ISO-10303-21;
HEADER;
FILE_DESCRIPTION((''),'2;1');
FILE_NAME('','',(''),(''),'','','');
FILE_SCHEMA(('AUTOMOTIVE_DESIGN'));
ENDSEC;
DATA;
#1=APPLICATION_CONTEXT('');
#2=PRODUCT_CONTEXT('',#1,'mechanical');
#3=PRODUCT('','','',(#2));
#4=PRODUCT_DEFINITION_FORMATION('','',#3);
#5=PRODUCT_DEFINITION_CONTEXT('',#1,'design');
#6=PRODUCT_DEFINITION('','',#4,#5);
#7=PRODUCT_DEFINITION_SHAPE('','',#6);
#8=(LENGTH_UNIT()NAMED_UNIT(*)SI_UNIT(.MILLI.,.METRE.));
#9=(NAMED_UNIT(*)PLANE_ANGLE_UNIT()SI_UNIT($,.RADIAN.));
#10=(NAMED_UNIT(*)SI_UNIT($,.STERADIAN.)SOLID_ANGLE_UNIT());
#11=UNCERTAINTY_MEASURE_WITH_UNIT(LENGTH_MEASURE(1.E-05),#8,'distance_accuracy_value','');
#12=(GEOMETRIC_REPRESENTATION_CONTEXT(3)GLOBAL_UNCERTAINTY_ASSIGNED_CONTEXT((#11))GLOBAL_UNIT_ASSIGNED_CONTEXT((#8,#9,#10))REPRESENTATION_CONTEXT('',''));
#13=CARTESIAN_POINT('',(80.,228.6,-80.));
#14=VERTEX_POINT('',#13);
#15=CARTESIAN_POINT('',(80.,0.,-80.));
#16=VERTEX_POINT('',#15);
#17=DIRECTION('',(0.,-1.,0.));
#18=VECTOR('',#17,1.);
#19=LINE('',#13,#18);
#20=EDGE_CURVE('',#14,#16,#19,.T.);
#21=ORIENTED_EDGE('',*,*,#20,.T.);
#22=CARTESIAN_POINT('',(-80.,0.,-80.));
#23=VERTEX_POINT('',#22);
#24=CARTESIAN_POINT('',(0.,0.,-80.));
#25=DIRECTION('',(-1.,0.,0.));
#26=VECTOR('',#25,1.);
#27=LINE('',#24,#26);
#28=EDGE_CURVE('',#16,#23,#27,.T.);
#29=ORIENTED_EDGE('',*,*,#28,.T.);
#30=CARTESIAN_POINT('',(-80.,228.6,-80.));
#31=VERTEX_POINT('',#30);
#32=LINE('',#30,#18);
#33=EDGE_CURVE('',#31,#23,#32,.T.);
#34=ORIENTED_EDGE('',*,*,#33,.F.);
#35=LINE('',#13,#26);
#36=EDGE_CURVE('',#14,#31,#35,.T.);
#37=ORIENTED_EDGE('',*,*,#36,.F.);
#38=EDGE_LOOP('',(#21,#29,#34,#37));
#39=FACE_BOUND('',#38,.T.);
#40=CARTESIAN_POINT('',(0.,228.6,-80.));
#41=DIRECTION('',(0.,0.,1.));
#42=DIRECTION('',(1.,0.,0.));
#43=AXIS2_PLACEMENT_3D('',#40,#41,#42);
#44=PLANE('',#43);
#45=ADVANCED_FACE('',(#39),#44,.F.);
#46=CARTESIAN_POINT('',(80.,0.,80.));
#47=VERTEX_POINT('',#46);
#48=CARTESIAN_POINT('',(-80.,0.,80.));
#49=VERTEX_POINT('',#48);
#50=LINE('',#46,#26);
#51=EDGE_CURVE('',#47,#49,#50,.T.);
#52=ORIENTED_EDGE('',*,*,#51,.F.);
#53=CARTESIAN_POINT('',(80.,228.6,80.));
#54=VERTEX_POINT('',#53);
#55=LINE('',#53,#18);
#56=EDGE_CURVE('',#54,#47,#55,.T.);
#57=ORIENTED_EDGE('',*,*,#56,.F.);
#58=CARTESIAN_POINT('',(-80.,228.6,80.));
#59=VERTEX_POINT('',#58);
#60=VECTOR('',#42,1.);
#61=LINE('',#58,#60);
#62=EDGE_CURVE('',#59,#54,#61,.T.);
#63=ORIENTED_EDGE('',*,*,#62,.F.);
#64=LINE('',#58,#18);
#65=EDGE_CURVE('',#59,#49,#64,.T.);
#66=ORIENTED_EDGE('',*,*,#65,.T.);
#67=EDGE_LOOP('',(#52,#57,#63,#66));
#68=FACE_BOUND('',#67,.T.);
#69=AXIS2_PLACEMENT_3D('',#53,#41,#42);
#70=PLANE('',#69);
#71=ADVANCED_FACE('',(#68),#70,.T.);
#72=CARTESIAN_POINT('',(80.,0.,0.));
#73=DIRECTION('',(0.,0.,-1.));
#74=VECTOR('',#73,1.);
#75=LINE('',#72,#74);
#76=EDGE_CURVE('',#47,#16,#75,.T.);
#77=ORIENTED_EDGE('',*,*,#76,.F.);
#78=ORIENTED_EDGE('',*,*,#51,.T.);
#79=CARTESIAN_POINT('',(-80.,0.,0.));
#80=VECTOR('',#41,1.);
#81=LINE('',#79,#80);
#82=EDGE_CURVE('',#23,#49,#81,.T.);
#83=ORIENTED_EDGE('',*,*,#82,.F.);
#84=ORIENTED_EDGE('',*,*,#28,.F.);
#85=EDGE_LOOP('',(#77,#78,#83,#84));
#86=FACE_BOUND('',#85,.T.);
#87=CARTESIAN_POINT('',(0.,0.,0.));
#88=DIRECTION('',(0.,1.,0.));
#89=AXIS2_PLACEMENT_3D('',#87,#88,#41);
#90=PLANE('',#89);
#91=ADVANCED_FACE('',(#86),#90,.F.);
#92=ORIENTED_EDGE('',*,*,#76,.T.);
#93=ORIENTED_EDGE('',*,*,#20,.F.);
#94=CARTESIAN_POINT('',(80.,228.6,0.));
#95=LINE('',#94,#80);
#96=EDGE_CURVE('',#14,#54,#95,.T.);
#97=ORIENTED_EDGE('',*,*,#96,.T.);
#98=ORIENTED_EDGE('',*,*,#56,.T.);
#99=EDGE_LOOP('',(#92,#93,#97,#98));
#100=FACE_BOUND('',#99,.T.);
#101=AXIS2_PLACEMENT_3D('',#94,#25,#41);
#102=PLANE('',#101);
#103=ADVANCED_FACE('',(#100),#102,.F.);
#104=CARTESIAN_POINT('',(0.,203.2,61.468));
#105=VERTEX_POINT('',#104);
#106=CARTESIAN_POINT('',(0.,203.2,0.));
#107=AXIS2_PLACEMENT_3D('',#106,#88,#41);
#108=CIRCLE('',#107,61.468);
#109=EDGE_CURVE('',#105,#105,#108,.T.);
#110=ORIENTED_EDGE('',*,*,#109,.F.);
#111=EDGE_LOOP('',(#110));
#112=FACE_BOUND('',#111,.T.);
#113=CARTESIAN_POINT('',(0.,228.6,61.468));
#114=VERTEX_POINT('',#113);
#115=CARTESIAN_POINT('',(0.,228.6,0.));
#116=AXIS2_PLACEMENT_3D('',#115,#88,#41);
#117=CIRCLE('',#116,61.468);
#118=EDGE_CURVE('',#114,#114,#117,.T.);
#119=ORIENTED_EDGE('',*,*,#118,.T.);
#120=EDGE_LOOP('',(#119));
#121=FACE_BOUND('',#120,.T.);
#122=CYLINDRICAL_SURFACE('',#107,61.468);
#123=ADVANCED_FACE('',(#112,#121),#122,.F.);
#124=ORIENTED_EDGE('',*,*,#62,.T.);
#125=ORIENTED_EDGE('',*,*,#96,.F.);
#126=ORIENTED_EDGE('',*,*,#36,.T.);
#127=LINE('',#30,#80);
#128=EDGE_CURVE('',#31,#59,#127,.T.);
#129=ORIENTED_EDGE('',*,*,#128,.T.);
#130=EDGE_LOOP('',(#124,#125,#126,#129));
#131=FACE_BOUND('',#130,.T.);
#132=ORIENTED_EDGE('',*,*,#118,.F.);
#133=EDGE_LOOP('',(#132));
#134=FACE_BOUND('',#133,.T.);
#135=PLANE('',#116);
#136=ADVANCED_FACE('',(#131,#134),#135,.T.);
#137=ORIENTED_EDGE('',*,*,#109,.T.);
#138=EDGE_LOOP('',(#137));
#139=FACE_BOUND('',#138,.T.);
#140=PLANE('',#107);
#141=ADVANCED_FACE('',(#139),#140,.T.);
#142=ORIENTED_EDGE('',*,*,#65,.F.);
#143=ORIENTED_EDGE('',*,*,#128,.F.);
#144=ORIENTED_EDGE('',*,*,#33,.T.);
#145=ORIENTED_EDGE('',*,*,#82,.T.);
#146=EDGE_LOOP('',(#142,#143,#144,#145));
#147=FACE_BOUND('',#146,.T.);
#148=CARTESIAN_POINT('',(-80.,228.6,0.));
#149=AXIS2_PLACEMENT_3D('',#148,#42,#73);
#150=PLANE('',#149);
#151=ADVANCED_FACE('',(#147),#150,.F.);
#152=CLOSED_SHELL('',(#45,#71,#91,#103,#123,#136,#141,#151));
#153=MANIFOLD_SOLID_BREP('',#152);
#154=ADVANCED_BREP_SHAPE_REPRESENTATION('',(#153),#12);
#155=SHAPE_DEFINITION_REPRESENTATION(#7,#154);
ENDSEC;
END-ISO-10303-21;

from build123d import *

# Parameters (mm, degrees)
BOSS_EXTRUDE1_DEPTH = 228.6
SKETCH3_R           = 61.468
CUT_EXTRUDE1_DEPTH  = 25.4


with BuildPart() as part:
    # Sketch1 → Boss-Extrude1 (new body)
    with BuildSketch(Plane(origin=(0, 0, 0), x_dir=(1, 0, 0), z_dir=(0, 1, 0))):
        Polygon((0, 80), (-80, 80), (-80, 0), (-80, -80), (0, -80), (80, -80), (80, 0), (80, 80), align=None)
    extrude(amount=BOSS_EXTRUDE1_DEPTH)

    # Sketch3 → Cut-Extrude1 (cut)
    with BuildSketch(Plane(origin=(0, 228.6, 0), x_dir=(1, 0, 0), z_dir=(0, 1, 0))):
        with Locations(Location((0, 0, 0), (0, 0, 270))):
            Circle(SKETCH3_R)
    extrude(amount=-CUT_EXTRUDE1_DEPTH, mode=Mode.SUBTRACT)


solid = part.part
